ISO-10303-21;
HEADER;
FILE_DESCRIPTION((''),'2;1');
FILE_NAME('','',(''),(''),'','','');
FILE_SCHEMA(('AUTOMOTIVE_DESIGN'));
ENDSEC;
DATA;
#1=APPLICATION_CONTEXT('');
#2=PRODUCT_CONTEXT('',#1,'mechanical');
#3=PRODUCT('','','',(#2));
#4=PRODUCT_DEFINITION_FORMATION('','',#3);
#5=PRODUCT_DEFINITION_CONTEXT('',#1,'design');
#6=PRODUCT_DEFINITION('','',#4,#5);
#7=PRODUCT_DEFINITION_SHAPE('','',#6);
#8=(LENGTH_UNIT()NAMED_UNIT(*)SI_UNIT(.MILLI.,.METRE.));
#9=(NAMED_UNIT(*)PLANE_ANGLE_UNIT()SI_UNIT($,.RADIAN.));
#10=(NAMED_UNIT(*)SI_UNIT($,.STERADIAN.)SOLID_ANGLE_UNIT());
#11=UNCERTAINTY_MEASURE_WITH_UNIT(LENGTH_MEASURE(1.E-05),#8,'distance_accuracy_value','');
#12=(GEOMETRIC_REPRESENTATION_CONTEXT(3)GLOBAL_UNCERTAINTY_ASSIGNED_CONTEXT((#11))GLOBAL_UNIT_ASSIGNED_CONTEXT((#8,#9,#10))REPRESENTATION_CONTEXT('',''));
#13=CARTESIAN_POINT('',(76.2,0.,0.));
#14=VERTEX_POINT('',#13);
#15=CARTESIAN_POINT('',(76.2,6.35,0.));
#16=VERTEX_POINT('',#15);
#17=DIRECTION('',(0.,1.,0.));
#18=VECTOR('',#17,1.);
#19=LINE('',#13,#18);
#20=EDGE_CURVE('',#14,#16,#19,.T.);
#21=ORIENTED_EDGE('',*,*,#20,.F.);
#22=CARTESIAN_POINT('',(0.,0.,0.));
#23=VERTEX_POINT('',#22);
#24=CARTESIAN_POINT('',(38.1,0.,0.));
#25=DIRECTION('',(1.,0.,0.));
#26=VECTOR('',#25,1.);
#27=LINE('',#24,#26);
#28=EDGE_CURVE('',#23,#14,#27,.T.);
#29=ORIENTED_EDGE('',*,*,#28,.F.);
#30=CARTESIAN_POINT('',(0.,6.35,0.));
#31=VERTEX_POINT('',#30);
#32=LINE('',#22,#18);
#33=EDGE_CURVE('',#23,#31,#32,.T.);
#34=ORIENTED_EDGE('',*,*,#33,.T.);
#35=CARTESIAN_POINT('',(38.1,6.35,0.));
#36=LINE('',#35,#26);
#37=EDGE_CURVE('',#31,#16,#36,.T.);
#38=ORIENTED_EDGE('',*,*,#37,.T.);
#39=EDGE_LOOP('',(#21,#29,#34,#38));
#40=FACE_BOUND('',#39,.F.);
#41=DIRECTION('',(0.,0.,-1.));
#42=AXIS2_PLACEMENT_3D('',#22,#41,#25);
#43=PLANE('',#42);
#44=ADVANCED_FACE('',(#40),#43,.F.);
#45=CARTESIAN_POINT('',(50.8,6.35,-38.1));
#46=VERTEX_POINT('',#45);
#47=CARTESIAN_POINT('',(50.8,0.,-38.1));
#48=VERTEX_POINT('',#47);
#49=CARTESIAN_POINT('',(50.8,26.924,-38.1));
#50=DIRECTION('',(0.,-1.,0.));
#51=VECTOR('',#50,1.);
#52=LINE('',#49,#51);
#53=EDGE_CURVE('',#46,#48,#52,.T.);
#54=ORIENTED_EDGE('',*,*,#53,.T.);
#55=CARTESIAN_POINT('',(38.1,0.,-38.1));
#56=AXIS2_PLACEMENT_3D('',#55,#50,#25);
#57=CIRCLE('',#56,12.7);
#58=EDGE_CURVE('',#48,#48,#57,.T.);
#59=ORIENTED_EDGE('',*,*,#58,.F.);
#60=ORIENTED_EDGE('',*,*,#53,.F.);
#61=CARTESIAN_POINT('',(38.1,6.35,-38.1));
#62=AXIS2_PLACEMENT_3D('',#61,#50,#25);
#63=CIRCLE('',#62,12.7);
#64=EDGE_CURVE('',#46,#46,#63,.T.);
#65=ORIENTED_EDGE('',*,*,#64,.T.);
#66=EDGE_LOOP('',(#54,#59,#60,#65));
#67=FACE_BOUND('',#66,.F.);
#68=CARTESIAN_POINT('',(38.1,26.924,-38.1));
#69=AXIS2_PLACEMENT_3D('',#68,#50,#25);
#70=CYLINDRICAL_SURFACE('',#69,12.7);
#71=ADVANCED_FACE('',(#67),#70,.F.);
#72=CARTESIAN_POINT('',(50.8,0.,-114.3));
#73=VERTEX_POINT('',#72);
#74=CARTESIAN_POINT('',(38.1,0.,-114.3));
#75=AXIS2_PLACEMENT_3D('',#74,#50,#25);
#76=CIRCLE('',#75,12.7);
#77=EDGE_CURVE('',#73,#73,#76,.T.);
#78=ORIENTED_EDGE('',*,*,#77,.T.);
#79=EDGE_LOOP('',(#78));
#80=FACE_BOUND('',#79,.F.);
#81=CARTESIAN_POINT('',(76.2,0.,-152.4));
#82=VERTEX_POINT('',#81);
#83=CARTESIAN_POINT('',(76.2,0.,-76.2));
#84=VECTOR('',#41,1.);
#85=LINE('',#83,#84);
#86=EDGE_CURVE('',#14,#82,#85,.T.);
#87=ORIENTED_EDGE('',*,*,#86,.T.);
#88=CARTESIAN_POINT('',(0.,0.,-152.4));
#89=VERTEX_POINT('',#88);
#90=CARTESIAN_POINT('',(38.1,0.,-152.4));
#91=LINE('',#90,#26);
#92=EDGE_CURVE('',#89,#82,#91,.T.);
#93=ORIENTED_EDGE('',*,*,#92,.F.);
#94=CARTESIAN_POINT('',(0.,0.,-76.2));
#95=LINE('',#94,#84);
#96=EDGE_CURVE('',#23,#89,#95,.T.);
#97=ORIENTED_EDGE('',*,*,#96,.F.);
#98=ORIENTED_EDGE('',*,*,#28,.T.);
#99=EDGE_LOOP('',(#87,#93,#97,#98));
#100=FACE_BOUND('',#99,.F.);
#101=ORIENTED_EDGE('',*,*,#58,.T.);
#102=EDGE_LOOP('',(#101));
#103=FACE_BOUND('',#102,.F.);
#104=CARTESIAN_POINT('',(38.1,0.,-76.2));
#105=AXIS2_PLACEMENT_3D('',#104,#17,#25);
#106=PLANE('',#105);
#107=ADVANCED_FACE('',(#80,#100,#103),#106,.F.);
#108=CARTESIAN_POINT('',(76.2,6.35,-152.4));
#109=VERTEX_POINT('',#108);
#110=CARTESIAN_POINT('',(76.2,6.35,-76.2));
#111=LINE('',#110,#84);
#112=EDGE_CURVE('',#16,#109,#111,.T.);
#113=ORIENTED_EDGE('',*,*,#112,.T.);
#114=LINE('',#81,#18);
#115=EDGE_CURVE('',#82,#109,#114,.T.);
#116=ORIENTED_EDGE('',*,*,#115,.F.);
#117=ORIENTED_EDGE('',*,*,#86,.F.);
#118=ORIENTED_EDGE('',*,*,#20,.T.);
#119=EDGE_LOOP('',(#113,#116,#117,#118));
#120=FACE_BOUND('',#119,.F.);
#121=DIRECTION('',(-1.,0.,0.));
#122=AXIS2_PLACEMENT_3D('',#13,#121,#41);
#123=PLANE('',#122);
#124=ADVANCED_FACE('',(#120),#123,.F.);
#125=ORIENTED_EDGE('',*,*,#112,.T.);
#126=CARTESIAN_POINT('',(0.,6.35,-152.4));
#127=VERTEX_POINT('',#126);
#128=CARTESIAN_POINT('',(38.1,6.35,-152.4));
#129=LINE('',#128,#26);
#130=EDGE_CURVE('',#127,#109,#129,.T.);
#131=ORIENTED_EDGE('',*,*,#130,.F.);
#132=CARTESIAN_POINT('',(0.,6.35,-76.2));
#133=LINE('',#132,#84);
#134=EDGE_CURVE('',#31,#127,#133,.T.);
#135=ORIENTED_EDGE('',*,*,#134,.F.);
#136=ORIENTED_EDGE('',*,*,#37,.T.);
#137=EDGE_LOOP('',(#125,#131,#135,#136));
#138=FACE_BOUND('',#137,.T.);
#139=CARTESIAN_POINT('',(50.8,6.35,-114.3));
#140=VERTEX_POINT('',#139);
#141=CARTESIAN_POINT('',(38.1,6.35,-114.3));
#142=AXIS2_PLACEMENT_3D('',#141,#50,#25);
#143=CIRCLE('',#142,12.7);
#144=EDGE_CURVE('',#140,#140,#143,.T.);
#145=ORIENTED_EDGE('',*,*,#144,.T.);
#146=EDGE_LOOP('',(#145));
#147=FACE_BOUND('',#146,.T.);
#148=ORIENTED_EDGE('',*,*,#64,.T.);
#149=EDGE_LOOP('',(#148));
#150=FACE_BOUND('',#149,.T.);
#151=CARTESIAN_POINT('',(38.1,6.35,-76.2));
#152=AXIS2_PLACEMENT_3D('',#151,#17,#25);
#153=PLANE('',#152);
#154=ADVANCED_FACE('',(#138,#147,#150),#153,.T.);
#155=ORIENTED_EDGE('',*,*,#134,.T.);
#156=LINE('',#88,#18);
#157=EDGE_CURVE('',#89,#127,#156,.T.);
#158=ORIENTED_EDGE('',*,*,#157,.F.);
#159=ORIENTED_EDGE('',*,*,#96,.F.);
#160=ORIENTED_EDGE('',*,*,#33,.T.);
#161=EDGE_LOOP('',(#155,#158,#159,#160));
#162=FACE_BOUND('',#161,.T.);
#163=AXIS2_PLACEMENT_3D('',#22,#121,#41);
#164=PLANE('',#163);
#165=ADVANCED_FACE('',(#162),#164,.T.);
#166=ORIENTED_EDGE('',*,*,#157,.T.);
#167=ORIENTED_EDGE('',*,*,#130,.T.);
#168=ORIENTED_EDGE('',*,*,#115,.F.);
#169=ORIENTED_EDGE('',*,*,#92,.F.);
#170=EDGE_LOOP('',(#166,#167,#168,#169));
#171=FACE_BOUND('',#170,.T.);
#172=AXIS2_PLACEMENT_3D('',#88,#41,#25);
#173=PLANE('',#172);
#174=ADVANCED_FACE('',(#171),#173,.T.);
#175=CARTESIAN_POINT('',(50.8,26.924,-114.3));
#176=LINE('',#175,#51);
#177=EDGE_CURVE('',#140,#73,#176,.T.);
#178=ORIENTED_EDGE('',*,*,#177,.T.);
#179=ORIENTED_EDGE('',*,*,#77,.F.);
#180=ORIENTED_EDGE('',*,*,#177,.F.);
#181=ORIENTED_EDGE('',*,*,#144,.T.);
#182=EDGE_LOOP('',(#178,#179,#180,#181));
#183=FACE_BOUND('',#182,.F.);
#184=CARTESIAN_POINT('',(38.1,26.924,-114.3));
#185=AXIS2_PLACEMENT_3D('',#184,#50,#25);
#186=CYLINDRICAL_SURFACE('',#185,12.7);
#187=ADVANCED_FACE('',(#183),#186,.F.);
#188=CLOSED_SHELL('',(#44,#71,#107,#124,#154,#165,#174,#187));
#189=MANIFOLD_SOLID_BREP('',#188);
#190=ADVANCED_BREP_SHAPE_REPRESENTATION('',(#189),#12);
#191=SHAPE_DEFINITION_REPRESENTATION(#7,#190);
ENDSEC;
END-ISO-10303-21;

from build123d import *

# Parameters (mm, degrees)
SKETCH1_W                  = 76.2
SKETCH1_H                  = 152.4
BOSS_EXTRUDE1_DEPTH        = 6.35
F_1_1_DIAMETER_HOLE1_D     = 25.4
F_1_1_DIAMETER_HOLE1_DEPTH = 20.574
F_1_1_DIAMETER_HOLE1_TIP   = 7.630929862


with BuildPart() as part:
    # Sketch1 → Boss-Extrude1 (new body)
    with BuildSketch(Plane(origin=(0, 0, 0), x_dir=(1, 0, 0), z_dir=(0, 1, 0))):
        with Locations((38.1, 76.2)):
            Rectangle(SKETCH1_W, SKETCH1_H)
    extrude(amount=BOSS_EXTRUDE1_DEPTH)

    # 1 (1) Diameter Hole1
    with Locations(Plane(origin=(0, 6.35, 0), x_dir=(-1, 0, 0), z_dir=(0, 1, 0))):
        with Locations((-38.1, -38.1), (-38.1, -114.3)):
            Hole(F_1_1_DIAMETER_HOLE1_D / 2, depth=F_1_1_DIAMETER_HOLE1_DEPTH)
            with Locations((0, 0, -(F_1_1_DIAMETER_HOLE1_DEPTH + F_1_1_DIAMETER_HOLE1_TIP / 2))):  # 118° drill point
                Cone(0, F_1_1_DIAMETER_HOLE1_D / 2, F_1_1_DIAMETER_HOLE1_TIP, mode=Mode.SUBTRACT)


solid = part.part
